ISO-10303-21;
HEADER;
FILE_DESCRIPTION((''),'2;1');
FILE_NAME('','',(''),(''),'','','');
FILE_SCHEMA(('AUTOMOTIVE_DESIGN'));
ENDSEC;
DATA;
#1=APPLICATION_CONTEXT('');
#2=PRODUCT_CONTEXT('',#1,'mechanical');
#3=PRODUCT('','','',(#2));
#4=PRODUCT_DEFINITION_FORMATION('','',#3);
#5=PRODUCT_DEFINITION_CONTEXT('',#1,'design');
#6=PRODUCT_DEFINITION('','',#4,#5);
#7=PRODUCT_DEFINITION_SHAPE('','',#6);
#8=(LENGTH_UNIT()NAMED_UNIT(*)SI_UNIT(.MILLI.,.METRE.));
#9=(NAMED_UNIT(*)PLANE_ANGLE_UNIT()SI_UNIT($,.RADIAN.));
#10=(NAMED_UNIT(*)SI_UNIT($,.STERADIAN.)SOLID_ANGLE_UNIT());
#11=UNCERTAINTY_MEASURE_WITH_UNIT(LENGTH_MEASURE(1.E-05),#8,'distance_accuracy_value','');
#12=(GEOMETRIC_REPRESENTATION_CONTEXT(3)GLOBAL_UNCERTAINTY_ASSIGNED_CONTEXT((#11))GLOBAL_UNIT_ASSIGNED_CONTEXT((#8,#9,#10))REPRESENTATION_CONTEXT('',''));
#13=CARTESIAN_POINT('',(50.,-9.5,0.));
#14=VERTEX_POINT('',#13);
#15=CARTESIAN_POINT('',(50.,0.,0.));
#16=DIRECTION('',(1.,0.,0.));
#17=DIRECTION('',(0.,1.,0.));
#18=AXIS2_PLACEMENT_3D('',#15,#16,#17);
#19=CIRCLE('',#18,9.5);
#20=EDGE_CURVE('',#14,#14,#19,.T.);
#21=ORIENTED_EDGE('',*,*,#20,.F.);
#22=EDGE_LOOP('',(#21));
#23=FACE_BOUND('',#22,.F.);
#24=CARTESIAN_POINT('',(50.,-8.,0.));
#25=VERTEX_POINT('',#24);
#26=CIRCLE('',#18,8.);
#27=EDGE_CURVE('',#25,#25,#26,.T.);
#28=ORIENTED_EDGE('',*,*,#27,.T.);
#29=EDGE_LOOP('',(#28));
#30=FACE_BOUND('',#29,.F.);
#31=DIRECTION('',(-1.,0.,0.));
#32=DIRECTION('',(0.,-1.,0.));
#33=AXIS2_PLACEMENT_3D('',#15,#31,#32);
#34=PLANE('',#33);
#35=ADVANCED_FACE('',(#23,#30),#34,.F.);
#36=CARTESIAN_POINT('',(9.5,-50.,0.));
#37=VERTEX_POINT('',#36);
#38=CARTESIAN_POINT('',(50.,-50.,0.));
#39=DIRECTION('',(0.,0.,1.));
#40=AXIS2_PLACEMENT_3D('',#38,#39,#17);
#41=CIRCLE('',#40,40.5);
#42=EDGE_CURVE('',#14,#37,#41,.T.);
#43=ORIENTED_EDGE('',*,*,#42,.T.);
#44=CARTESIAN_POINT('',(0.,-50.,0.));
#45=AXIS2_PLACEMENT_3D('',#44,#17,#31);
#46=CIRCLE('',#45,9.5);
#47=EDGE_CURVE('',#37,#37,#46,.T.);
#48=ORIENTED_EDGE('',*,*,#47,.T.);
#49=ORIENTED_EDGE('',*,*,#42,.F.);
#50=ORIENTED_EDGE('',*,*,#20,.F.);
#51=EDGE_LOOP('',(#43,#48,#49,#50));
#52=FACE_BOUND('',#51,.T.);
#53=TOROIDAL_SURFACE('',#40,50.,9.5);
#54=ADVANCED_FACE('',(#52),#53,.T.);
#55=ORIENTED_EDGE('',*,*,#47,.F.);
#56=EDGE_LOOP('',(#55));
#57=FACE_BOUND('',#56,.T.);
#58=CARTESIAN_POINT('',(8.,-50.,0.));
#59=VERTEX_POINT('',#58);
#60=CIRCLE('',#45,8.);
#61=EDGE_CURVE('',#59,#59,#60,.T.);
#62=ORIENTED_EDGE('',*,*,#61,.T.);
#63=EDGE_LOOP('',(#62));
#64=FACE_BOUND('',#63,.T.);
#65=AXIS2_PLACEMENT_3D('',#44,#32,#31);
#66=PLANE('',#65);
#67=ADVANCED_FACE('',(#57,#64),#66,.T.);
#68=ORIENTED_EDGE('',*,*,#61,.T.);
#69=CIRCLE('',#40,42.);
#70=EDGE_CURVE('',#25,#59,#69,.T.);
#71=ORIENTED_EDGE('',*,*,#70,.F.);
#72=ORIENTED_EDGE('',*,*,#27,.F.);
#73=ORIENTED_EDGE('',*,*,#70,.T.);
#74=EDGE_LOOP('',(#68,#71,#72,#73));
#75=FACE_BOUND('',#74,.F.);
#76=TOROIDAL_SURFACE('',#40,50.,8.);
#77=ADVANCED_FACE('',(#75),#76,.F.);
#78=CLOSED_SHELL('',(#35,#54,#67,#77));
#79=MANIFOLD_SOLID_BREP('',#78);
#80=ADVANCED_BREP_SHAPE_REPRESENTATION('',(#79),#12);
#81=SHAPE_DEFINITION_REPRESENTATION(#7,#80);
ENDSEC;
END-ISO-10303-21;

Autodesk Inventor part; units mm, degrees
ref_plane "YZ Plane" through (0, 0, 0) normal (1, 0, 0) x (0, 1, 0)
ref_plane "XZ Plane" through (0, 0, 0) normal (0, 1, 0) x (-1, 0, 0)
sketch "Szkic6" plane through (0, 0, 0) normal (0, 0, 1) x (1, 0, 0)
  line L0 (-29.6067, 0) -> (35.2678, 0) construction
  line L1 (0, 42.3419) -> (0, -58.3726) construction
  arc A0 (50, 0) -> (0, -50) centre (50, -50) ccw
  line L2 (0, -50) -> (50, -50) construction
  line L3 (50, -50) -> (50, 15.5331) construction
  line L4 (50, 0) -> (50, 0)
  line L5 (0, -50) -> (0, -50)
  point P0 (0, 0)
  dimension "d24" = 50
  dimension "d31" = 90
  dimension "d36" = 0
  dimension "d37" = 0
ref_plane "Płaszczyzna konstrukcyjna2" through (0, -50, 0) normal (0, -1, 0) x (1, 0, 0)
sketch "Szkic8" plane through (0, -50, 0) normal (0, -1, 0) x (1, 0, 0)
  circle A0 centre (0, 0) radius 9.5
  circle A1 centre (0, 0) radius 8
  dimension "d32" = 19
  dimension "d33" = 1.5
sweep "Przeciągnięcie2" add profiles "Szkic8" path "Szkic6"
equation "\"d32\" = OD"
equation "\"d33\" = THK"
equation "\"d24\" = R"
equation "\"d31\" = KAT"
equation "\"SzerokośćGięciaPodcięcia\" = Grubość"
equation "\"RozmiarPodcięciaNarożnika\" = 4 * Grubość"
equation "\"PromieńPrzejścia\" = PromieńGięcia"
equation "\"Rozmiar_promienia_Jacobiego\" = PromieńGięcia"
equation "\"Wielk_odstępu\" = Grubość"
equation "\"d2\" = PromieńGięcia"
equation "\"d23\" = PromieńGięcia"
equation "\"R\" = 50"
equation "\"OD\" = 19"
equation "\"THK\" = 1.5"
equation "\"KAT\" = 90deg"
equation "\"PROSTKA\" = 0"
equation "\"Grubość\" = 1.5"
equation "\"PromieńGięcia\" = 3"
properties part number "Kolano 90° ø19x1,5 R50" material "304L"
